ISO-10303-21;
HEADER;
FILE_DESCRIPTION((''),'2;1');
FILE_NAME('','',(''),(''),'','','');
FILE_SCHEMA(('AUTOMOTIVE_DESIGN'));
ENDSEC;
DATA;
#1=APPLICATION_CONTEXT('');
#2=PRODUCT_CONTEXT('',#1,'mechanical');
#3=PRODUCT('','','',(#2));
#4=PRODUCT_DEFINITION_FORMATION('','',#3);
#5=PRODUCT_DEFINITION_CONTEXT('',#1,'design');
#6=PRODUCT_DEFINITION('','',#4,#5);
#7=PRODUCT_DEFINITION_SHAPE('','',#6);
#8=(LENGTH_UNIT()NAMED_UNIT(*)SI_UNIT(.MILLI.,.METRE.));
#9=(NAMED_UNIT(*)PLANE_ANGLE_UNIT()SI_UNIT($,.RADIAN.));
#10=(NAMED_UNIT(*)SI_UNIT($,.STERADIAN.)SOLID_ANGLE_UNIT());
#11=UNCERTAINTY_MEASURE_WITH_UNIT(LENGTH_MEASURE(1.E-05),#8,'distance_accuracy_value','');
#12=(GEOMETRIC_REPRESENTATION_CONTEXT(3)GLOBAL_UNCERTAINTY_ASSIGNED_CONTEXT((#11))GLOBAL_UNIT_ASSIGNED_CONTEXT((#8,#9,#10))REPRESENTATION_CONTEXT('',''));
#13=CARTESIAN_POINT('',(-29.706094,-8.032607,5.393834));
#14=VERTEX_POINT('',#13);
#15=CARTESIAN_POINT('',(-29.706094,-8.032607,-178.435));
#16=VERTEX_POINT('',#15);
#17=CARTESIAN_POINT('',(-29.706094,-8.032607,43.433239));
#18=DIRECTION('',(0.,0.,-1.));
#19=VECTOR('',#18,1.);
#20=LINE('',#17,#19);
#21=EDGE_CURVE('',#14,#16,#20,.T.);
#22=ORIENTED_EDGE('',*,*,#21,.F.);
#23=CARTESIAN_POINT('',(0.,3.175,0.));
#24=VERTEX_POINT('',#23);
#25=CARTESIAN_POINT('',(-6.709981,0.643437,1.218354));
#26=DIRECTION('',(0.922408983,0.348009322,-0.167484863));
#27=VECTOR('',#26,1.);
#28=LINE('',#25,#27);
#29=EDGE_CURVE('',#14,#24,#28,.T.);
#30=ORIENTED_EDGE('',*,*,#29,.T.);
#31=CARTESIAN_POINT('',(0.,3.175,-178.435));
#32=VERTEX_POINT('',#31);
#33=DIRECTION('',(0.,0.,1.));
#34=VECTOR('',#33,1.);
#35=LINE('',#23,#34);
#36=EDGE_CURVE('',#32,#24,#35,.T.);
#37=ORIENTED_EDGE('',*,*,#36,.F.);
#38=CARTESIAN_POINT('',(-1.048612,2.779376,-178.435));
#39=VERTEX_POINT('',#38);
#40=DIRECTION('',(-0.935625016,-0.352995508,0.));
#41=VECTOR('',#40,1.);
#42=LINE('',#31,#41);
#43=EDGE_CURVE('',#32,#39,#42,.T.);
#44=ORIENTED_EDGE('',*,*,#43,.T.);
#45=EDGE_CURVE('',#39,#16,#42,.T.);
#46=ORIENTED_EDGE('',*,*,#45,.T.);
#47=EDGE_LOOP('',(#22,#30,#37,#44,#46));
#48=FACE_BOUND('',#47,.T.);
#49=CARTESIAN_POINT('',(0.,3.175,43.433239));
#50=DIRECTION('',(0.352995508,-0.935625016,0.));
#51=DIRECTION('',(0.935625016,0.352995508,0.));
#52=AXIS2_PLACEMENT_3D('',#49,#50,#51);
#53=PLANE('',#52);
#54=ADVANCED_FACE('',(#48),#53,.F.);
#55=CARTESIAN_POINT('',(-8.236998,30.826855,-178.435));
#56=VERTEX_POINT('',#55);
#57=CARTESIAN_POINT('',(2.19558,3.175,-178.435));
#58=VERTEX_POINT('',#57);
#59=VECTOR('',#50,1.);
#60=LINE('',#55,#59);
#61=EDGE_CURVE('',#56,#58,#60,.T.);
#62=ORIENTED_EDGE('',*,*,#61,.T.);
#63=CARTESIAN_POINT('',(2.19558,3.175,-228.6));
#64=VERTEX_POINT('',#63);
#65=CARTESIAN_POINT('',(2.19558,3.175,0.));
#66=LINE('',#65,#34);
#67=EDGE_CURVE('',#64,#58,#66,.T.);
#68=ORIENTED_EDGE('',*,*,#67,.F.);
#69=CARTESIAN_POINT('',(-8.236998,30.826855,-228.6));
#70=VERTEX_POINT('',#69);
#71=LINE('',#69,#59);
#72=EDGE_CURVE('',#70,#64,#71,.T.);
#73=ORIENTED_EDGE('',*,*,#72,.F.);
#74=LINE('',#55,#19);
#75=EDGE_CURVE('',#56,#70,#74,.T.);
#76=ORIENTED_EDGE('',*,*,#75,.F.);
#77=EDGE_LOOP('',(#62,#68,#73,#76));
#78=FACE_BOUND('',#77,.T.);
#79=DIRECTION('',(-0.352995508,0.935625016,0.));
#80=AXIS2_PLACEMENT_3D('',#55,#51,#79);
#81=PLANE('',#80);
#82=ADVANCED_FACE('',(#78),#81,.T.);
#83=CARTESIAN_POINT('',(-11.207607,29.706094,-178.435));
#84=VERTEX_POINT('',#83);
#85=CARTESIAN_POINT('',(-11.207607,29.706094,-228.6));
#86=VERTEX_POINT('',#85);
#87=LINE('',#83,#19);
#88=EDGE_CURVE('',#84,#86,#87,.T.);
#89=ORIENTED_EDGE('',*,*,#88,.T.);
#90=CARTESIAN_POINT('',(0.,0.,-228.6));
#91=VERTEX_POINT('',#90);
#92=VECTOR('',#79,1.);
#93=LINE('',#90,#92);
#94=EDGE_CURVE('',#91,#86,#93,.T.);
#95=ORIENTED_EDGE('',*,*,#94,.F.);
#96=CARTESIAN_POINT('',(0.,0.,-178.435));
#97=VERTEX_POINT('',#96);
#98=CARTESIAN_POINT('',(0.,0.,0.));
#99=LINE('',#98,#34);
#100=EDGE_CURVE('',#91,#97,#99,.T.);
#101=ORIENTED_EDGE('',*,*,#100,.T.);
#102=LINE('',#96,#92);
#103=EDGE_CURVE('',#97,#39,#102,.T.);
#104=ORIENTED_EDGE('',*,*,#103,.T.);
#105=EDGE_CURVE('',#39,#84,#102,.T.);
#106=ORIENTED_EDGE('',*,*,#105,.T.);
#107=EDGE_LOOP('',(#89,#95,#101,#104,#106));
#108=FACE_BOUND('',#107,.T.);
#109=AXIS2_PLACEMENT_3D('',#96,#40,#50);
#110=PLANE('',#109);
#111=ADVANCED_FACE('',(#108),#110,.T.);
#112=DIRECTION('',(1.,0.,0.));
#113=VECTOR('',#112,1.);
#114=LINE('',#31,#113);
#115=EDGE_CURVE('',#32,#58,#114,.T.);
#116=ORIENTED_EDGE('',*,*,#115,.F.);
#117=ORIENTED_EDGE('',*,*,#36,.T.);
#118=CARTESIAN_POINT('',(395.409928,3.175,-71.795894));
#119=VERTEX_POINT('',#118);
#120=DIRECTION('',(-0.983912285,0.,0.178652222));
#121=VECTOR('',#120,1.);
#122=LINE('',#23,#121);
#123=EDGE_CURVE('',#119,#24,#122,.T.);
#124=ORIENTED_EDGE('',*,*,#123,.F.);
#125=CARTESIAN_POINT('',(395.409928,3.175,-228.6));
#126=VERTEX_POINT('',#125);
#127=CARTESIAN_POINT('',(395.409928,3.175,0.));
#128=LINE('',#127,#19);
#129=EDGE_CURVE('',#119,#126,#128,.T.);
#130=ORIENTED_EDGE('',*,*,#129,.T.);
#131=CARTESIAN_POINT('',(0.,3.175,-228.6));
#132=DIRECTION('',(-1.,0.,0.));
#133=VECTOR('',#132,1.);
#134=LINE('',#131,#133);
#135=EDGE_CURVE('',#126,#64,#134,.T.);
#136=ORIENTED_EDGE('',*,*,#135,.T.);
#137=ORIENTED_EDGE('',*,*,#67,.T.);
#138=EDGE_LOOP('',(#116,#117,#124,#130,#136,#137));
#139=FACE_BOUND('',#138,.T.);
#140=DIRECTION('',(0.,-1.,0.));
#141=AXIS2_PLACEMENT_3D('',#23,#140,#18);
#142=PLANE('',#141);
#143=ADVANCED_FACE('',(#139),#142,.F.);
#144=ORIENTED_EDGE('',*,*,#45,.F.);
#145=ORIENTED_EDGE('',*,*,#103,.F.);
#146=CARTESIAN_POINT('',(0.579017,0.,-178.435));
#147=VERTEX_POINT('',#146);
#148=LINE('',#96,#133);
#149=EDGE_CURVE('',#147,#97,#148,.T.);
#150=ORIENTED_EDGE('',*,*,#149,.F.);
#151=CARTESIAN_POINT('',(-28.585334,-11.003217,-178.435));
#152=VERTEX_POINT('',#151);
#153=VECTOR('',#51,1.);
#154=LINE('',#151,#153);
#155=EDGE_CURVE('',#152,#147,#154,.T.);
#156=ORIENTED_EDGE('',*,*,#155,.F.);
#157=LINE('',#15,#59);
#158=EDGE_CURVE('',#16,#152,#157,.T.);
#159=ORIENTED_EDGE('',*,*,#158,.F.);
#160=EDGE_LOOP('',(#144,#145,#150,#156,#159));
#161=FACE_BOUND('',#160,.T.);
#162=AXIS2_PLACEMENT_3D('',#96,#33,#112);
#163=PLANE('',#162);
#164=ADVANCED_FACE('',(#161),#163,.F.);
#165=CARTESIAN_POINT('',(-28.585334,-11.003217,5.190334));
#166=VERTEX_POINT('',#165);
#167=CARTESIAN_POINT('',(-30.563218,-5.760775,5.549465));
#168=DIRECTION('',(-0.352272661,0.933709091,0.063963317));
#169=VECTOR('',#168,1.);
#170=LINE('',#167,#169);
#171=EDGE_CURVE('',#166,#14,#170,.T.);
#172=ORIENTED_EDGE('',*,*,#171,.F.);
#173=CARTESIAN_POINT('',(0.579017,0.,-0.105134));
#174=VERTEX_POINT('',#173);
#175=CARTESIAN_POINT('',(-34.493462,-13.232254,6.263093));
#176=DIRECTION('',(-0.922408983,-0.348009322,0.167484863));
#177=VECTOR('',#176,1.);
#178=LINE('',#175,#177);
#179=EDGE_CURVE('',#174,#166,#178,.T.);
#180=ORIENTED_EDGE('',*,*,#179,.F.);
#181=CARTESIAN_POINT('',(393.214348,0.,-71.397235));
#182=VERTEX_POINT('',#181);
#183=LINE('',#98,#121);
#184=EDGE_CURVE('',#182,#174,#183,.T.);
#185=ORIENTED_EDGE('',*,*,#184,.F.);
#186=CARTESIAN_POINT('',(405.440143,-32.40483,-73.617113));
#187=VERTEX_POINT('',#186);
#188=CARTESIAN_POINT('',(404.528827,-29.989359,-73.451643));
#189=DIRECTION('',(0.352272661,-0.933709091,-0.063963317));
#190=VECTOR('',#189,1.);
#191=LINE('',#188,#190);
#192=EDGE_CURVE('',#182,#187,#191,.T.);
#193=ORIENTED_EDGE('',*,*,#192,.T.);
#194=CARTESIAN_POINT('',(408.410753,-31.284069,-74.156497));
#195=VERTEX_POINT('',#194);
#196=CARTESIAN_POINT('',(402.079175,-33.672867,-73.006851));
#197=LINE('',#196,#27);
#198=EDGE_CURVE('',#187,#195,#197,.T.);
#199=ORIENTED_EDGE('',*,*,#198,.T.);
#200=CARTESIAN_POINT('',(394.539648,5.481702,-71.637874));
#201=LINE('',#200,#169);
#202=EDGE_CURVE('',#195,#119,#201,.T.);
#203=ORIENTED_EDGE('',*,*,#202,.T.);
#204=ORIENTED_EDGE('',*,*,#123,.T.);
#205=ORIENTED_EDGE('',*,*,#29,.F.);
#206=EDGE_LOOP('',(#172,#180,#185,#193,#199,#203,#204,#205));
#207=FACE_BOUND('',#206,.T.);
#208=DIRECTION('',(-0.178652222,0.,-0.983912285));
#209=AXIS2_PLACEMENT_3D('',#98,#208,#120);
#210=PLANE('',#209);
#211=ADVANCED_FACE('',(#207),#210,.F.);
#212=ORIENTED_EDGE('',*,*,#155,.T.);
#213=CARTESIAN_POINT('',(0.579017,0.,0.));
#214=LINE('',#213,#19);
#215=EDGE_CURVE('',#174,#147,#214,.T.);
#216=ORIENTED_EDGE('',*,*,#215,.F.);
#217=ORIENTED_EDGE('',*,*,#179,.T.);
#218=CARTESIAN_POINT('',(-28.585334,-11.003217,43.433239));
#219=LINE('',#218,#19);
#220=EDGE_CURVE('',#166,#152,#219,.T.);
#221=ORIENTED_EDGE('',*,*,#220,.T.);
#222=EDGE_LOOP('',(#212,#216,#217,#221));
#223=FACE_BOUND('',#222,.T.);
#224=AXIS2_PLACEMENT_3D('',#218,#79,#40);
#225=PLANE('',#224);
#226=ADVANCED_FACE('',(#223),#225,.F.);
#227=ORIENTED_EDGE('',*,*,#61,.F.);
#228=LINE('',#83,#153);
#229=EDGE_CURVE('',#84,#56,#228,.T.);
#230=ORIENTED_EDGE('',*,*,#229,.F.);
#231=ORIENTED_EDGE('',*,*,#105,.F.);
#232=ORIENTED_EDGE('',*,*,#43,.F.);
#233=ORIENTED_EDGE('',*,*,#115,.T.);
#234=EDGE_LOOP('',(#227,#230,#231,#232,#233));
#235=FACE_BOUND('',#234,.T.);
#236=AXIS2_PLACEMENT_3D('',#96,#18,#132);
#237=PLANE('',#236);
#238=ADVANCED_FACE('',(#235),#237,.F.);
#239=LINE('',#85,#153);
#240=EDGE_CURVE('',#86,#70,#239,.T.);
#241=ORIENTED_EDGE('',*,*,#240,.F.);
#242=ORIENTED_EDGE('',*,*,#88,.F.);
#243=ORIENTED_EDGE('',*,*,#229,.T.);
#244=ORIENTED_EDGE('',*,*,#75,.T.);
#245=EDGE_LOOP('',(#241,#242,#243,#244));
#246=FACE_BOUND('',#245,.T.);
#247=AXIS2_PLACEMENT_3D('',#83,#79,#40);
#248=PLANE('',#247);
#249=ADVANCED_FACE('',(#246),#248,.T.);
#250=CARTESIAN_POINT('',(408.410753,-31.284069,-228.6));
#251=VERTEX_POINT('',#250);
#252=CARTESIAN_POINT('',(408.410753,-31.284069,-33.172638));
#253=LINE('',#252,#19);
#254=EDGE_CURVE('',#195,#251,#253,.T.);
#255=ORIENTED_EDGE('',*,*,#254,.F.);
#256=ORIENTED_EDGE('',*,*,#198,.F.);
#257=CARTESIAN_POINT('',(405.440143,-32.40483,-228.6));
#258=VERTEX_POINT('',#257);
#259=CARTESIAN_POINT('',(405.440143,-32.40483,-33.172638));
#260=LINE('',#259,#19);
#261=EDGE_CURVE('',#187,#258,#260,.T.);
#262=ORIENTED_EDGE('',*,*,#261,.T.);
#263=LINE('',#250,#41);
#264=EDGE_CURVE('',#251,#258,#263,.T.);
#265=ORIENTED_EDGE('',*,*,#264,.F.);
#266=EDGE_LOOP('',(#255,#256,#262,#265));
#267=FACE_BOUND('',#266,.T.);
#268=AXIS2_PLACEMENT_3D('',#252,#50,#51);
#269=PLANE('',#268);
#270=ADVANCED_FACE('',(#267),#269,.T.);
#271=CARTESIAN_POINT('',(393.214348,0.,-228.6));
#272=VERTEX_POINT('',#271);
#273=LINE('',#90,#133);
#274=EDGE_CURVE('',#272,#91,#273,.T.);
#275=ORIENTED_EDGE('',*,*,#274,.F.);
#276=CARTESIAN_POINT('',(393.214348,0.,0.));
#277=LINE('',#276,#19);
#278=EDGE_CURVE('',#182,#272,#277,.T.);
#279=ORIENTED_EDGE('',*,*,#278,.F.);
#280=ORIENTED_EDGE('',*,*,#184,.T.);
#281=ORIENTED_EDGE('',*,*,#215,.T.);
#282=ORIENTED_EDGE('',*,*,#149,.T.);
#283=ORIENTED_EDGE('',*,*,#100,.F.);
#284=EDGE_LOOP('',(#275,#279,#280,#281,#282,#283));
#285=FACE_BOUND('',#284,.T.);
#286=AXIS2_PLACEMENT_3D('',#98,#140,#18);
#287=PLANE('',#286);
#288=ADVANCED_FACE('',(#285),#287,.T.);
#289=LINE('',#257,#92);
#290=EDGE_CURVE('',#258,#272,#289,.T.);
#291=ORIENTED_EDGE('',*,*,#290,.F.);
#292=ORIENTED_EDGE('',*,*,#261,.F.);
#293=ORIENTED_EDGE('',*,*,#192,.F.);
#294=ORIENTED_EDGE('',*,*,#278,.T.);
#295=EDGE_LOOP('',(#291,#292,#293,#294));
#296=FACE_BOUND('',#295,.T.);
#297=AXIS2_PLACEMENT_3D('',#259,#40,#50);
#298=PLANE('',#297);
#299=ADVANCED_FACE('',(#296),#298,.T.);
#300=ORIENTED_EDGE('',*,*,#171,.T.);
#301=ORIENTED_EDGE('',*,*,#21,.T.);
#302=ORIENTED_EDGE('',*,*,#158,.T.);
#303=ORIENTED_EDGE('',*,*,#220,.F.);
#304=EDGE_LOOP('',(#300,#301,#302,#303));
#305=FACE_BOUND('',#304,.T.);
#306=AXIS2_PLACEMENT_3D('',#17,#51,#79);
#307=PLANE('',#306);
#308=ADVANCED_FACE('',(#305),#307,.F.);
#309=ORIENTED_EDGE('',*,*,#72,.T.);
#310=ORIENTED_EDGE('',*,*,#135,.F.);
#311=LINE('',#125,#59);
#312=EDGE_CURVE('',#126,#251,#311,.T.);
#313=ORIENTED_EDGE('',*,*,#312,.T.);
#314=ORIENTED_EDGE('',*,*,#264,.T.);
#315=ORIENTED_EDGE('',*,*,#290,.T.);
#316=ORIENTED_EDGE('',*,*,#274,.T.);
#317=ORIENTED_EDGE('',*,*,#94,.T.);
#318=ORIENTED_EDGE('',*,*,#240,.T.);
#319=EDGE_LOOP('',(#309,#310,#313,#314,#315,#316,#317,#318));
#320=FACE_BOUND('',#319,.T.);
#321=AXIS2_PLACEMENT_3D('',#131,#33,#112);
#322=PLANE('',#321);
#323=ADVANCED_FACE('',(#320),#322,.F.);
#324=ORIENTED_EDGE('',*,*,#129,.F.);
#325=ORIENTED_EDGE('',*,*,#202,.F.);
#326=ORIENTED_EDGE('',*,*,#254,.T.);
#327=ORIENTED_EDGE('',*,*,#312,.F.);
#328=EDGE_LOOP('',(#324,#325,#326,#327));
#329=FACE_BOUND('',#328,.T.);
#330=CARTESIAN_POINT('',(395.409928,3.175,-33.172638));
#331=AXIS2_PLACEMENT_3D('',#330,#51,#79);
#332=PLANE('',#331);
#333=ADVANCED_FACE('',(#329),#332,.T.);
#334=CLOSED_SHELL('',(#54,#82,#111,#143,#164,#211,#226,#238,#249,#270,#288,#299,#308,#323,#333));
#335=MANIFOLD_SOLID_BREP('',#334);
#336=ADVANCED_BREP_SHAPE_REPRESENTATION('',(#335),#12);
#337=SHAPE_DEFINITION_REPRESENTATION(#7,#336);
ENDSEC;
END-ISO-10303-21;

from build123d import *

# Parameters (mm, degrees)
SKETCH1_W           = 395.409928
SKETCH1_H           = 228.6
BOSS_EXTRUDE1_DEPTH = 3.175
CUT_EXTRUDE1_DEPTH  = 3.175
BOSS_EXTRUDE2_REACH = 458.746
BOSS_EXTRUDE3_DEPTH = 50.165
BOSS_EXTRUDE5_REACH = 448.865


with BuildPart() as part:
    # Sketch1 → Boss-Extrude1 (new body)
    with BuildSketch(Plane(origin=(0, 0, 0), x_dir=(1, 0, 0), z_dir=(0, 1, 0))):
        with Locations((197.704964, 114.3)):
            Rectangle(SKETCH1_W, SKETCH1_H)
    extrude(amount=BOSS_EXTRUDE1_DEPTH)

    # Sketch2 → Cut-Extrude1 (cut)
    with BuildSketch(Plane(origin=(0, 3.175, 0), x_dir=(1, 0, 0), z_dir=(0, 1, 0))):
        Polygon((0, 0), (395.409928, 71.795894), (395.409928, 0), align=None)
    extrude(amount=-CUT_EXTRUDE1_DEPTH, mode=Mode.SUBTRACT)

    # Boss-Extrude2: up to this plane
    boss_extrude2_end = Plane(origin=(0, 0, 0), z_dir=(-0.17865222161961358, 0, -0.9839122845611679))
    # Sketch3 → Boss-Extrude2 (add, up to the surface)
    with BuildSketch(Plane(origin=(0, 0, -228.6), x_dir=(-1, 0, 0), z_dir=(0, 0, -1)), mode=Mode.PRIVATE) as boss_extrude2_sk1:
        Polygon((-395.409928, 3.175), (-408.410752554, -31.284069357), (-405.440143126, -32.404830094), (-392.016474486, 3.175), align=None)
    boss_extrude2_tool1 = split(extrude(boss_extrude2_sk1.sketch, amount=-BOSS_EXTRUDE2_REACH, mode=Mode.PRIVATE), bisect_by=boss_extrude2_end, keep=Keep.BOTH, mode=Mode.PRIVATE)
    add(boss_extrude2_tool1.solids().sort_by_distance((400.310838, -14.336219, -228.6))[0])

    # Sketch4 → Boss-Extrude3 (add)
    with BuildSketch(Plane(origin=(0, 0, -228.6), x_dir=(-1, 0, 0), z_dir=(0, 0, -1))):
        Polygon((0, 0), (11.207607374, 29.706094273), (8.236997947, 30.82685501), (-3.393453514, 0), align=None)
    extrude(amount=-BOSS_EXTRUDE3_DEPTH)

    # Boss-Extrude5: up to this plane
    boss_extrude5_end = Plane(origin=(0, 0, 0), z_dir=(-0.17865222161961358, 0, -0.9839122845611679))
    # Sketch6 → Boss-Extrude5 (add, up to the surface)
    with BuildSketch(Plane.XY.offset(-178.435), mode=Mode.PRIVATE) as boss_extrude5_sk1:
        Polygon((0, 3.175), (-29.706094273, -8.032607374), (-28.585333536, -11.003216801), (8.994448738, 3.175), align=None)
    boss_extrude5_tool1 = split(extrude(boss_extrude5_sk1.sketch, amount=BOSS_EXTRUDE5_REACH, mode=Mode.PRIVATE), bisect_by=boss_extrude5_end, keep=Keep.BOTH, mode=Mode.PRIVATE)
    add(boss_extrude5_tool1.solids().sort_by_distance((-12.225606, -3.200424, -178.435))[0])


solid = part.part
